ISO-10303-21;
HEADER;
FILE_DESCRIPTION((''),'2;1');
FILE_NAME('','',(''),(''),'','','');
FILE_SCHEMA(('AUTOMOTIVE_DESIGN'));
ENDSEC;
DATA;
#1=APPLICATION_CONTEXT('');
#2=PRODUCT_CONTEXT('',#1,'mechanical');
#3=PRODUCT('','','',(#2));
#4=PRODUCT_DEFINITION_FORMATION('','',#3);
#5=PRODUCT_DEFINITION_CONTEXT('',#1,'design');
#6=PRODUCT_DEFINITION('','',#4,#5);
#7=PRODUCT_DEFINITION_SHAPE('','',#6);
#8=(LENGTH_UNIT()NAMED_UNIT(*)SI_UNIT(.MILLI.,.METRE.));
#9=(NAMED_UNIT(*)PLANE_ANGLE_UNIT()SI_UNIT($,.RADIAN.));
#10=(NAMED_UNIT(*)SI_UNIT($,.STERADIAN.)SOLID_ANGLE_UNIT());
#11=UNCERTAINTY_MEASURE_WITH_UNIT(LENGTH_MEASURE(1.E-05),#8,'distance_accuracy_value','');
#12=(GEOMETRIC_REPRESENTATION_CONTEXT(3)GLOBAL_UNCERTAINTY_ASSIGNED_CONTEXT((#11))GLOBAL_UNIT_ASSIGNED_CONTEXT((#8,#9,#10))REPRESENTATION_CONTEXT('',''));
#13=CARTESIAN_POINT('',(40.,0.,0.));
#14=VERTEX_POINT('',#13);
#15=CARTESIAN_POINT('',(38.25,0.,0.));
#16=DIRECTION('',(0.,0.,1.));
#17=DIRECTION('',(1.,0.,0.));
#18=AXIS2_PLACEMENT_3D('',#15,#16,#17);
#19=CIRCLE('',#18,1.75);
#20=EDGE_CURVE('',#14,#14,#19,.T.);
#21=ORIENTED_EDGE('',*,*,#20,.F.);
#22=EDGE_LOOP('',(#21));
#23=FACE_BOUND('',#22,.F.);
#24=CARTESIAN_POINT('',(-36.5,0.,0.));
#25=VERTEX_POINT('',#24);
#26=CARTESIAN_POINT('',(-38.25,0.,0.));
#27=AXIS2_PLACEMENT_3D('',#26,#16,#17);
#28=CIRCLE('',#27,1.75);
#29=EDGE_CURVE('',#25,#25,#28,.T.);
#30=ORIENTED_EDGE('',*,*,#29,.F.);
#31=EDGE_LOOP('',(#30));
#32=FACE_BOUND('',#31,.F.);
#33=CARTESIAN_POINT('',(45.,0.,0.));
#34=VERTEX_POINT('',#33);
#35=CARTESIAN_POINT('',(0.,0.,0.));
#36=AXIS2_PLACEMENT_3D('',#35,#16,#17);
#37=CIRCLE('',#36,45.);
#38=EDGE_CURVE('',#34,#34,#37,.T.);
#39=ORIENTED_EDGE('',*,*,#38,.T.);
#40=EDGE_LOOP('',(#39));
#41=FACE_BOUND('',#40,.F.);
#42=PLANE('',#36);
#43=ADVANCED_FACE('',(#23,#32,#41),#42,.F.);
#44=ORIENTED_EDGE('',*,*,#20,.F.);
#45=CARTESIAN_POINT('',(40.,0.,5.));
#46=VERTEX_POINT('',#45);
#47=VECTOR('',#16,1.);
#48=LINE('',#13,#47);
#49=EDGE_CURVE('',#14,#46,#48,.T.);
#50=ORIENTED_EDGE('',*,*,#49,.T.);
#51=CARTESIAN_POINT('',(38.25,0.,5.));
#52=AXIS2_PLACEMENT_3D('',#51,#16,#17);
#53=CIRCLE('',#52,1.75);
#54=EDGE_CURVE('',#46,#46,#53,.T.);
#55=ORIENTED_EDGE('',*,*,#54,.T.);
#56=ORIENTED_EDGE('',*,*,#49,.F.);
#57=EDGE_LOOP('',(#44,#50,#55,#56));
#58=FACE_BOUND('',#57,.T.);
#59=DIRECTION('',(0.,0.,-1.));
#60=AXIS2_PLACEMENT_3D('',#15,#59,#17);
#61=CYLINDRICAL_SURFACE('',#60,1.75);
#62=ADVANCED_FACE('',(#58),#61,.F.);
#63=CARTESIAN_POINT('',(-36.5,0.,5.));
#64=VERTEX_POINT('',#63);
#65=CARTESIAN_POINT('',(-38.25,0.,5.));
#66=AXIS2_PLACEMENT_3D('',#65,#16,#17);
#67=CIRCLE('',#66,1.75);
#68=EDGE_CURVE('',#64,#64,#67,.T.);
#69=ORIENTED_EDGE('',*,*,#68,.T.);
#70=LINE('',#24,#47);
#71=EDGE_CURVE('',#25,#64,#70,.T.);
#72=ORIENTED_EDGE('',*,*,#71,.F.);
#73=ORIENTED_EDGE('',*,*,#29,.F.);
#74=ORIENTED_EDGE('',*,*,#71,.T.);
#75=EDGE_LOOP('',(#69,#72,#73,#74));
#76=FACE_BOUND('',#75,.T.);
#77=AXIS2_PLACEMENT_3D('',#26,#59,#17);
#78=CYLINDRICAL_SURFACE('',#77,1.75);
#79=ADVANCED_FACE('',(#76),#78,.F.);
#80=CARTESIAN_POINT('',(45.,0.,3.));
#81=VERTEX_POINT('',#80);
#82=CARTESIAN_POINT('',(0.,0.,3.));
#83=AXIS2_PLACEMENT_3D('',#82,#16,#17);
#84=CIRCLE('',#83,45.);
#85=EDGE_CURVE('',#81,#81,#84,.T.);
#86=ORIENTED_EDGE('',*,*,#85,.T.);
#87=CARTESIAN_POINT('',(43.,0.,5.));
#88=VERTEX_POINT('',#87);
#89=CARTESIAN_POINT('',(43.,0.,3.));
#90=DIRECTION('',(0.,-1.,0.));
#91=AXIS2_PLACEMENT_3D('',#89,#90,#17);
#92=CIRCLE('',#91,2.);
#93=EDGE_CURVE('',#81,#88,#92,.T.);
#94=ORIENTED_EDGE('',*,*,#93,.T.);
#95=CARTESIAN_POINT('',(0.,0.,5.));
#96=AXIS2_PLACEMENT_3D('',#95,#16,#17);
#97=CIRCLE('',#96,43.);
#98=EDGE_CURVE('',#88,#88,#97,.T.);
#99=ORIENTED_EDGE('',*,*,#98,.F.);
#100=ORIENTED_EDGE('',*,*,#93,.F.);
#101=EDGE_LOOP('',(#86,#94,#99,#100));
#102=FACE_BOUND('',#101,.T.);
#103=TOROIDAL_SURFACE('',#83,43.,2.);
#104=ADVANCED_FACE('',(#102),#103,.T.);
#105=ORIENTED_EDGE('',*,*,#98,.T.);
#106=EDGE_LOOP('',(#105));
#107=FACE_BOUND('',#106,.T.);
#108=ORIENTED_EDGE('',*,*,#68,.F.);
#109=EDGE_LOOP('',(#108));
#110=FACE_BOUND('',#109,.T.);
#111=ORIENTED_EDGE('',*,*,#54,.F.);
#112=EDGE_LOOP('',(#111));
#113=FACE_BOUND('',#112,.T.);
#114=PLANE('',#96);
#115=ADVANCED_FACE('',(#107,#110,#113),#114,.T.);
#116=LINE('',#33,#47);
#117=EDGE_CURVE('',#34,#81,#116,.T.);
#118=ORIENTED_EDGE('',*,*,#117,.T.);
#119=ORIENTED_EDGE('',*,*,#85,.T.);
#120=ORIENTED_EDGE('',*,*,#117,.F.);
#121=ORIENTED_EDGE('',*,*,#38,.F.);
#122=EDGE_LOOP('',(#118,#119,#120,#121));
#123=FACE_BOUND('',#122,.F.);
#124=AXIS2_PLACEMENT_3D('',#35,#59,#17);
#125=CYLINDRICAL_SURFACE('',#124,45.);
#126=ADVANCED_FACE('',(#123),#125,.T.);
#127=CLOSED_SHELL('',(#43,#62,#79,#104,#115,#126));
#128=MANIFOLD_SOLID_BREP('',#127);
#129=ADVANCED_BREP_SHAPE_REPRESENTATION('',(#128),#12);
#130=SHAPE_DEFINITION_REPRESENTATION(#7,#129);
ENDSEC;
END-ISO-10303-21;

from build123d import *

# Parameters (mm, degrees)
F0_R     = 45
F0_R_2   = 1.75
F1_DEPTH = 5
F2_R     = 2


with BuildPart() as f1:
    # F0 (on Top) → F1 (new body)
    with BuildSketch(Plane.XY):
        Circle(F0_R)
        with Locations((-38.25, 0)):
            Circle(F0_R_2, mode=Mode.SUBTRACT)
        with Locations((38.25, 0)):
            Circle(F0_R_2, mode=Mode.SUBTRACT)
    extrude(amount=F1_DEPTH)

    # F2
    f2_edges = [f1.edges().sort_by_distance(p)[0] for p in [
        (-45, 0, 5),
    ]]
    fillet(f2_edges, radius=F2_R)


solid = f1.part
